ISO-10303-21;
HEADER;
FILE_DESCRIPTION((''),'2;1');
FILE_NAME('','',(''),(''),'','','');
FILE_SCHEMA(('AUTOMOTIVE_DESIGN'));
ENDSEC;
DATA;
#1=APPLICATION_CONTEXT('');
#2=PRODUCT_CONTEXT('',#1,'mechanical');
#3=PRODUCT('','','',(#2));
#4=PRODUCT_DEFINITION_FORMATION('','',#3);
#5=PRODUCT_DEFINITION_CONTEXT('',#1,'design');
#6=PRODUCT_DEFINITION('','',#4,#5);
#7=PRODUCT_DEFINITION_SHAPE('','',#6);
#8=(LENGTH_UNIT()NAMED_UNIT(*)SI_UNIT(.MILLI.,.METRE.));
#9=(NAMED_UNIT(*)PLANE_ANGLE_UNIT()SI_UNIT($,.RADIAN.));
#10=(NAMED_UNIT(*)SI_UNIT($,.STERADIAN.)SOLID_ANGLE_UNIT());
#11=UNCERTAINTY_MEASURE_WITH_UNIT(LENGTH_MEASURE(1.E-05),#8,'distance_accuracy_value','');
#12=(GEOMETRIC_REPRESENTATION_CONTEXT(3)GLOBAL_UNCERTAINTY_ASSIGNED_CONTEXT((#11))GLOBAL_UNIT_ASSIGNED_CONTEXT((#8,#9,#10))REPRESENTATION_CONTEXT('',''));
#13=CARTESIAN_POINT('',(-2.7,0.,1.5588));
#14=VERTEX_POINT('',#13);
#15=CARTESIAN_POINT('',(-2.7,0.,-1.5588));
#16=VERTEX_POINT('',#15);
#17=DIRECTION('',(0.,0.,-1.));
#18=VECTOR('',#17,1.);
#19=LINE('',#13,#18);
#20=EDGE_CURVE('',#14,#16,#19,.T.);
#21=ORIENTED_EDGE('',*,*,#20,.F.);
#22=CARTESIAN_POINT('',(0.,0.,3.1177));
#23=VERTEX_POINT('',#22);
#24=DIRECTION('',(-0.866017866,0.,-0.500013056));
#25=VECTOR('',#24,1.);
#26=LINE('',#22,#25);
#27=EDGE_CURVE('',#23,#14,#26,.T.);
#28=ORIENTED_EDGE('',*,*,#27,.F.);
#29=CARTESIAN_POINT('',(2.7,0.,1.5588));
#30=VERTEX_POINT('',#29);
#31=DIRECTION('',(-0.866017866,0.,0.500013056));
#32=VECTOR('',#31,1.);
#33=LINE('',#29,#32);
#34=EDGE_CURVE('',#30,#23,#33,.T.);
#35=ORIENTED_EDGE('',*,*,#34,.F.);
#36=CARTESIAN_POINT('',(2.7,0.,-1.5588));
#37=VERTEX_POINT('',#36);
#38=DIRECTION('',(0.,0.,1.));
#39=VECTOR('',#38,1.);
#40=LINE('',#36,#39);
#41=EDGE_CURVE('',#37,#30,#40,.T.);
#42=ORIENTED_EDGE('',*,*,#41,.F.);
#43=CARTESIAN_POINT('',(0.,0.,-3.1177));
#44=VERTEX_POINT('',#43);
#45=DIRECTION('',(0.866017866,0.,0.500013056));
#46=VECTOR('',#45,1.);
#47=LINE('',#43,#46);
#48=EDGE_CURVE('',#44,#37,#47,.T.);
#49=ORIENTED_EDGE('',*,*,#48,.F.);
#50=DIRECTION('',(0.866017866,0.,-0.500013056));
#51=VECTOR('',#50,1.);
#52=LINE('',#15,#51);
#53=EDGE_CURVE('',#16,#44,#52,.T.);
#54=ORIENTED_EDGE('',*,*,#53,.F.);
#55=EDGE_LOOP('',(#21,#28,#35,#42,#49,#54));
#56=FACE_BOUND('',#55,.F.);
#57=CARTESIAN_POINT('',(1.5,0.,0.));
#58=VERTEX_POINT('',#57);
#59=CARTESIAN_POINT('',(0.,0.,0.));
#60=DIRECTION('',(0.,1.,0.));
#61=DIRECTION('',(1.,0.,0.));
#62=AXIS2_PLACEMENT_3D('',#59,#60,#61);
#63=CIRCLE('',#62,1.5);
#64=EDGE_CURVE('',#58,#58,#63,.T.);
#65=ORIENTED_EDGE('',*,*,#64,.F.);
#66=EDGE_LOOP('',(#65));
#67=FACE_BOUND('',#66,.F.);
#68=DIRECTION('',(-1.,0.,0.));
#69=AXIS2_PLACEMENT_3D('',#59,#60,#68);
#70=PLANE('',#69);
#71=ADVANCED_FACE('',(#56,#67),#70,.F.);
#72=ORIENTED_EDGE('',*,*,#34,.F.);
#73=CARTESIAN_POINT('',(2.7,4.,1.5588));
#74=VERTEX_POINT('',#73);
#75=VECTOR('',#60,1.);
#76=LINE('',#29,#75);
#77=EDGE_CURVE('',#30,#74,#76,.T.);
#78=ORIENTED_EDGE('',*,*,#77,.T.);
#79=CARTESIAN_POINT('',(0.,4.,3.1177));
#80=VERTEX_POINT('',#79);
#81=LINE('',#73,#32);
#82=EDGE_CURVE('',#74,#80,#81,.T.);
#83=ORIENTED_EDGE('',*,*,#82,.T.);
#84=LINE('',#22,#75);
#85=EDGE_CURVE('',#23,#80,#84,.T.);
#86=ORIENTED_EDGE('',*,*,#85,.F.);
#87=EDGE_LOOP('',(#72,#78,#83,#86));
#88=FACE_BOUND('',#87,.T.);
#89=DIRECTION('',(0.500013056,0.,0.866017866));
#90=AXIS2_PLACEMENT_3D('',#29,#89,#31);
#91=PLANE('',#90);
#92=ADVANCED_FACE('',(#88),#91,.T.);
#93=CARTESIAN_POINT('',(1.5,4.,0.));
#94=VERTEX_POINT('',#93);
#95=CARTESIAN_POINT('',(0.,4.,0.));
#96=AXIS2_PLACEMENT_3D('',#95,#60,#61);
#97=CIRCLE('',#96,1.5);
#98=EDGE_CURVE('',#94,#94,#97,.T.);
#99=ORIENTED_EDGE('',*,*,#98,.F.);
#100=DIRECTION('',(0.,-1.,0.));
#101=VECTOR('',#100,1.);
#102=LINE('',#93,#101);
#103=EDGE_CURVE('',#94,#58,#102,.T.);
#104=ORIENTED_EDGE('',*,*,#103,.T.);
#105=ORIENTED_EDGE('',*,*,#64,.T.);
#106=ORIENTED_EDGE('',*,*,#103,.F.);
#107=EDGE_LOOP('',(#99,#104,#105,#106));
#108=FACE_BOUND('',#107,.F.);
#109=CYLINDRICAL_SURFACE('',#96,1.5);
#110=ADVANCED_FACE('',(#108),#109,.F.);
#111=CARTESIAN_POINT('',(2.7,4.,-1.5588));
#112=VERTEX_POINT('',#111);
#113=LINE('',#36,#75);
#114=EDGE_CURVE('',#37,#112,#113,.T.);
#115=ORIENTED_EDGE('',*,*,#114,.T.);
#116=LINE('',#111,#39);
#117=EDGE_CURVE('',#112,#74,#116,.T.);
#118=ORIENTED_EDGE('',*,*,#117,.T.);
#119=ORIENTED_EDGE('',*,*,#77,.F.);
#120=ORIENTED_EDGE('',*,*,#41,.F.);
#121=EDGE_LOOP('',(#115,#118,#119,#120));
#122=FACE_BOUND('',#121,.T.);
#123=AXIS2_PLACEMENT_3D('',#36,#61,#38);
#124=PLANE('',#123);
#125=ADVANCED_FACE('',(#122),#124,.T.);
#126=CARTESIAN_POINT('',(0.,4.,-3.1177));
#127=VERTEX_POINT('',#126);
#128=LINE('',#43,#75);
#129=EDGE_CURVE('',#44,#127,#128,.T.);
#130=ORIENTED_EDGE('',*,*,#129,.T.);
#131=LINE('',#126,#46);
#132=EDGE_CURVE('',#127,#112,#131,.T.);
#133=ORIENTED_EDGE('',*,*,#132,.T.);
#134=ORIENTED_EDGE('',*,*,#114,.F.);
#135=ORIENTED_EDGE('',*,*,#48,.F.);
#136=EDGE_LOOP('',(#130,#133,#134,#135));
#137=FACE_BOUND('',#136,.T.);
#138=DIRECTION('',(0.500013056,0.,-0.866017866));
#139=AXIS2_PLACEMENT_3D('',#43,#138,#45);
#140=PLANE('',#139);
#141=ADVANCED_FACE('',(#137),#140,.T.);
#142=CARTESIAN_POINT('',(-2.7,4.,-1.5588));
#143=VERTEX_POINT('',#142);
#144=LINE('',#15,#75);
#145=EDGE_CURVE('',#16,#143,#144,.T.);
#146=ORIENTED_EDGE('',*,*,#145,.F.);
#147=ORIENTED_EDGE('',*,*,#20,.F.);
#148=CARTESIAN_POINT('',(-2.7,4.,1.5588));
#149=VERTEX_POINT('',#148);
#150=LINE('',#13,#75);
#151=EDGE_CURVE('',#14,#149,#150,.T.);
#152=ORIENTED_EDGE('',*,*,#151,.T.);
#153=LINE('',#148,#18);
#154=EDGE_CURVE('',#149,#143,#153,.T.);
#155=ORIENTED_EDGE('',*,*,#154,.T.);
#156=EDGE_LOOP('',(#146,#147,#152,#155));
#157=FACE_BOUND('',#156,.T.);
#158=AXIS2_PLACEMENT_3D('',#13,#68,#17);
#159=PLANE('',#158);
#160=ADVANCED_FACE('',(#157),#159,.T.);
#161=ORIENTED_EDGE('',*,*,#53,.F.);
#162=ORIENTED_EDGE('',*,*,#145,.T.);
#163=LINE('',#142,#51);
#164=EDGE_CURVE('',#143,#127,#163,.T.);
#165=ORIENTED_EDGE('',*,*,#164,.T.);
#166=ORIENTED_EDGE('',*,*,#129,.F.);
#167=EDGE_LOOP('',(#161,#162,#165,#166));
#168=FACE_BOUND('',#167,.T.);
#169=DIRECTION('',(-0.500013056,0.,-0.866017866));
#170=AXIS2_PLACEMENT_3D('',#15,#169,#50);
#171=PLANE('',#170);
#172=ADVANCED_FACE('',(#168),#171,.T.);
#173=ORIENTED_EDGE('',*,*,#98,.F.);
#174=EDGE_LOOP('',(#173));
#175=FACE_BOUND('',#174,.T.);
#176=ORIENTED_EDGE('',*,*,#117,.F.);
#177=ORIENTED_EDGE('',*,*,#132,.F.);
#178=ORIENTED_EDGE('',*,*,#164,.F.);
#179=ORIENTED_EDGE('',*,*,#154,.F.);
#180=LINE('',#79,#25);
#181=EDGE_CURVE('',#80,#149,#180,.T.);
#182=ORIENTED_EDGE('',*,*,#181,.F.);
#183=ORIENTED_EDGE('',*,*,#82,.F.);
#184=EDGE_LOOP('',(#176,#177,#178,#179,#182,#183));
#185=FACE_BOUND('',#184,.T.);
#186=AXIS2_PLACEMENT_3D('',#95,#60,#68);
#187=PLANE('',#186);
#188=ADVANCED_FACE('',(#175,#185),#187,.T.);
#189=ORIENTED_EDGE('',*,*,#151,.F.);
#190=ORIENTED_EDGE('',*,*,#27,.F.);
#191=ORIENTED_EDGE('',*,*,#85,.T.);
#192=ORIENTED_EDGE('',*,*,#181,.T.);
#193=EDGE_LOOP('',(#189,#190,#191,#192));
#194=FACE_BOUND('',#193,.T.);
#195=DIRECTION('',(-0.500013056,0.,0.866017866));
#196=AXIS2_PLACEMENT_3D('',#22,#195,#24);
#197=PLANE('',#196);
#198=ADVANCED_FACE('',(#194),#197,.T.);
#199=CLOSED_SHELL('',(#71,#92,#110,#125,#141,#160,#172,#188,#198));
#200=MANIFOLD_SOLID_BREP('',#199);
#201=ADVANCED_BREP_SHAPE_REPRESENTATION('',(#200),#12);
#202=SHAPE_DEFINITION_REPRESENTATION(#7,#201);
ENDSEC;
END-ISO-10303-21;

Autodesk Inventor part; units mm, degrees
ref_plane "YZ Plane" through (0, 0, 0) normal (1, 0, 0) x (0, 1, 0)
ref_plane "XZ Plane" through (0, 0, 0) normal (0, 1, 0) x (-1, 0, 0)
ref_plane "XY Plane" through (0, 0, 0) normal (0, 0, 1) x (1, 0, 0)
sketch "Sketch1" plane through (0, 0, 0) normal (0, 1, 0) x (-1, 0, 0)
  line L0 (0, -3.1177) -> (-2.7, -1.5588)
  line L1 (-2.7, -1.5588) -> (-2.7, 1.5588)
  line L2 (-2.7, 1.5588) -> (0, 3.1177)
  line L3 (0, 3.1177) -> (2.7, 1.5588)
  line L4 (2.7, 1.5588) -> (2.7, -1.5588)
  line L5 (2.7, -1.5588) -> (0, -3.1177)
  point P0 (0, 0)
  point P1 (0, 0)
  dimension "d0" = 5.4
extrude "Extrusion1" add sketch "Sketch1" along normal blind 4
sketch "Sketch2" plane through (0, 4, 0) normal (0, 1, 0) x (1, 0, 0)
  circle A0 centre (0, 0) radius 1.5
  dimension "d3" = 3
extrude "Extrusion2" cut sketch "Sketch2" against normal blind 4
properties part number "M3_lock_nut"
